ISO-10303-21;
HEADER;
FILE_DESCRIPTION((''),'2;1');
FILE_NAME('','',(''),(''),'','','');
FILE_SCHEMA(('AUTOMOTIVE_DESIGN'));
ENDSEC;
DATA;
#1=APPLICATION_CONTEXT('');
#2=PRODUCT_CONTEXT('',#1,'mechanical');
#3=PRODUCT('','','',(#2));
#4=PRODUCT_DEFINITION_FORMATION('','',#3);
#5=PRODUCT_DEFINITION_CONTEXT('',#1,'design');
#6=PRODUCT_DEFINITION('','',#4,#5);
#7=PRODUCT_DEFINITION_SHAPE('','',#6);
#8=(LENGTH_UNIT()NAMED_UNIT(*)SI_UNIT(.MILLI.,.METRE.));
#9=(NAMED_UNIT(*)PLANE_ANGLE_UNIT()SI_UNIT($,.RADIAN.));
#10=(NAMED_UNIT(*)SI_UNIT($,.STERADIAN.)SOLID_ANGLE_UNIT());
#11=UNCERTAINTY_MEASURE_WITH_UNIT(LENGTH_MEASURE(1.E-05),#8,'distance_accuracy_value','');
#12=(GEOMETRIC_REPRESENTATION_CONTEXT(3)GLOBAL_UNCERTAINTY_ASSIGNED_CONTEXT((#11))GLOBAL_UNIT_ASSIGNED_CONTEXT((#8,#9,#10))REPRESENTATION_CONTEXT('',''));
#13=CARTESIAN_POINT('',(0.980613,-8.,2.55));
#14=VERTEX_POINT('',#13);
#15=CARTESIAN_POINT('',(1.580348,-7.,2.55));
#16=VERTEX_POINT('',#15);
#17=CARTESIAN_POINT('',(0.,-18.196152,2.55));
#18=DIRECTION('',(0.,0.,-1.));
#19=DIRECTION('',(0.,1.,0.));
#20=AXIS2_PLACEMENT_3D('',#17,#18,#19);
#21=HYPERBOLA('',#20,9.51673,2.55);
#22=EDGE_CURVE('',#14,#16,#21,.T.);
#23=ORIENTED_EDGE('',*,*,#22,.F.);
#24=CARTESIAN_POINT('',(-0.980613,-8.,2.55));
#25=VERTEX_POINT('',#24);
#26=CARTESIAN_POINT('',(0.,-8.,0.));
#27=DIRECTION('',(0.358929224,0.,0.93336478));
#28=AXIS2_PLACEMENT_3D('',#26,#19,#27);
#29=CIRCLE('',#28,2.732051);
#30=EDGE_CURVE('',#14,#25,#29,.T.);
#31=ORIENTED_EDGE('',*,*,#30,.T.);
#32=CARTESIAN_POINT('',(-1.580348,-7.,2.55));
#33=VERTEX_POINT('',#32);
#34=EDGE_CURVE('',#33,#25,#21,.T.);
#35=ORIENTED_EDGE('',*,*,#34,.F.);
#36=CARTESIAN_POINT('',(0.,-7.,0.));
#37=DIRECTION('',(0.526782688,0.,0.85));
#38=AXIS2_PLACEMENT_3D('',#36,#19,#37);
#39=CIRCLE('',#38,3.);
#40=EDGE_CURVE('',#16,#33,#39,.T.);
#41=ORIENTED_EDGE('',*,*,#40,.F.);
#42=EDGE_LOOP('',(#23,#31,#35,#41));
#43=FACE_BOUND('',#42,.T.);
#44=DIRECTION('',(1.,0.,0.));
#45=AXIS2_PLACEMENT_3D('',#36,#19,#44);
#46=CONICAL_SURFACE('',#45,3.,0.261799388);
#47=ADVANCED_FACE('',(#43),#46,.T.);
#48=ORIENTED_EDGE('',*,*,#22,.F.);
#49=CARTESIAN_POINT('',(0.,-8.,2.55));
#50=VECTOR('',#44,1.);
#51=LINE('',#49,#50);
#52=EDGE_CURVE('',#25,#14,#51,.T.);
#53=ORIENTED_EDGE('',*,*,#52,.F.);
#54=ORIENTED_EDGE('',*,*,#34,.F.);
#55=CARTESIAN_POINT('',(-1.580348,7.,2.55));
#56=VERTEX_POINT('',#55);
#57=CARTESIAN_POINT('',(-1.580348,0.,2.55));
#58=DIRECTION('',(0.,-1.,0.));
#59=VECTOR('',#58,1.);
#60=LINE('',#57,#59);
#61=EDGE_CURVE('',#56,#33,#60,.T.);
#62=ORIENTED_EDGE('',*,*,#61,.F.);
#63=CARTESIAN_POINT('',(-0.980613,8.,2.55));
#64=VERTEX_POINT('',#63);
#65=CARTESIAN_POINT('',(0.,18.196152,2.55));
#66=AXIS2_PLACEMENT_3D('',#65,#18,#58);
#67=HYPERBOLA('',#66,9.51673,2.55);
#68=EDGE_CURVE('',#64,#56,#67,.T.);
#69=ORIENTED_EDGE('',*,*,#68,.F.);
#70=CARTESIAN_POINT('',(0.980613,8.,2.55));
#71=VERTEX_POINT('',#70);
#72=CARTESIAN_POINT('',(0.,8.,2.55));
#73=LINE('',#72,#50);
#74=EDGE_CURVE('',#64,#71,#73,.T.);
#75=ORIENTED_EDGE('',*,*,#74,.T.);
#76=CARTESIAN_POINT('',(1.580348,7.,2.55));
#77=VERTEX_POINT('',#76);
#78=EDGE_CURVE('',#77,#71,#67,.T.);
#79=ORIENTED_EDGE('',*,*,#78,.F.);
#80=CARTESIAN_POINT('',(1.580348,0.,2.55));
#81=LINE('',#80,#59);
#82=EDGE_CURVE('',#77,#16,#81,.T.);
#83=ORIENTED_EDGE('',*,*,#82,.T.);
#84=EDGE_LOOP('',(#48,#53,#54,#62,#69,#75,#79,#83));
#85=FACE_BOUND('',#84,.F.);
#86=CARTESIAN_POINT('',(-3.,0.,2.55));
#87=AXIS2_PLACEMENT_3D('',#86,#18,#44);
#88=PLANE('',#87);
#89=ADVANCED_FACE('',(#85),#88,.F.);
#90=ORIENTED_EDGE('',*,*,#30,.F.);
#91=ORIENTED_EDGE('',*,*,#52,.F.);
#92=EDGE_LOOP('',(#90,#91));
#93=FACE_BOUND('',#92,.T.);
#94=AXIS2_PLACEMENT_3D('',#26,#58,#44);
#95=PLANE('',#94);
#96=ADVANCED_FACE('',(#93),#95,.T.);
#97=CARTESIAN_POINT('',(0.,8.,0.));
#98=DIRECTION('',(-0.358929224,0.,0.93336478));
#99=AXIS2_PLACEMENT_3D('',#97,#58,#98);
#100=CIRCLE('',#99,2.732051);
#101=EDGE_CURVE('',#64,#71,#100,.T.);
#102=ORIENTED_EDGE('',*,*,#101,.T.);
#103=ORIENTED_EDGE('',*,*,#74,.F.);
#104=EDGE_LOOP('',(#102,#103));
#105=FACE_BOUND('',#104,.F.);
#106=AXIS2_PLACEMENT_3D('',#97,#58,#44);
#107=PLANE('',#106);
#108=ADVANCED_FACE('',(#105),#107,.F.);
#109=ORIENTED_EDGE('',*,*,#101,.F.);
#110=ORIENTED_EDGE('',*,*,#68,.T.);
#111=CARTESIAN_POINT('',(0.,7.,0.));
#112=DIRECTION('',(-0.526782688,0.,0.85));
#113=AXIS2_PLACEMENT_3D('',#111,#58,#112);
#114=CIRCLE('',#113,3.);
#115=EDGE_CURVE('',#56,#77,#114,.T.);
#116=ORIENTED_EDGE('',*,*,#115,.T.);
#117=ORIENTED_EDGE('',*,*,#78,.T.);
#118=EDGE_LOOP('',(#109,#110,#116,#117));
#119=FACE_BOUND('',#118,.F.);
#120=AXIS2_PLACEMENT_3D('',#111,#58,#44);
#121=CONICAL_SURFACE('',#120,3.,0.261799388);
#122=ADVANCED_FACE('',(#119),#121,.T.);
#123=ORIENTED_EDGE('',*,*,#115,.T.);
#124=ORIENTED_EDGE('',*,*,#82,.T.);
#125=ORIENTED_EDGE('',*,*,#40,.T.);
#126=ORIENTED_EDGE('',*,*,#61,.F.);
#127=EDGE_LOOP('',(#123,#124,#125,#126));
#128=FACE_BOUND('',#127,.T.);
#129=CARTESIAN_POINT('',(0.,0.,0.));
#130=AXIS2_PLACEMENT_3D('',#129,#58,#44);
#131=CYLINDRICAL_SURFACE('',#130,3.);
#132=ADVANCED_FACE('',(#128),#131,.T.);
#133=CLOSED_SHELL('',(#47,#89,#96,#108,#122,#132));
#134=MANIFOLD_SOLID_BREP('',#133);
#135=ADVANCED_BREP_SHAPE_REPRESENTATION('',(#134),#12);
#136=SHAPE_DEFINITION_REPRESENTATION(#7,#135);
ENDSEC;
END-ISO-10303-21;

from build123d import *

# Parameters (mm, degrees)
F1_R     = 3
F2_DEPTH = 8
F3_SIZE2 = 0.2679491924
F3_SIZE  = 1
F4_W     = 6
F4_H     = 6
F5_DEPTH = 8


with BuildPart() as f2:
    # F1 (on Front) → F2 (new body, symmetric)
    with BuildSketch(Plane.XZ):
        Circle(F1_R)
    extrude(amount=F2_DEPTH, both=True)

    # F3
    f3_edges = [f2.edges().sort_by_distance(p)[0] for p in [
        (-3, -8, 0),
        (-3, 8, 0),
    ]]
    f3_side = f2.faces().sort_by_distance((-3, 0, 0))[0]
    chamfer(f3_edges, length=F3_SIZE, length2=F3_SIZE2, reference=f3_side)

    # F4 (on Front) → F5 (cut, symmetric)
    with BuildSketch(Plane.XZ):
        with Locations((0, 5.55)):
            Rectangle(F4_W, F4_H)
    extrude(amount=F5_DEPTH, both=True, mode=Mode.SUBTRACT)


solid = f2.part
